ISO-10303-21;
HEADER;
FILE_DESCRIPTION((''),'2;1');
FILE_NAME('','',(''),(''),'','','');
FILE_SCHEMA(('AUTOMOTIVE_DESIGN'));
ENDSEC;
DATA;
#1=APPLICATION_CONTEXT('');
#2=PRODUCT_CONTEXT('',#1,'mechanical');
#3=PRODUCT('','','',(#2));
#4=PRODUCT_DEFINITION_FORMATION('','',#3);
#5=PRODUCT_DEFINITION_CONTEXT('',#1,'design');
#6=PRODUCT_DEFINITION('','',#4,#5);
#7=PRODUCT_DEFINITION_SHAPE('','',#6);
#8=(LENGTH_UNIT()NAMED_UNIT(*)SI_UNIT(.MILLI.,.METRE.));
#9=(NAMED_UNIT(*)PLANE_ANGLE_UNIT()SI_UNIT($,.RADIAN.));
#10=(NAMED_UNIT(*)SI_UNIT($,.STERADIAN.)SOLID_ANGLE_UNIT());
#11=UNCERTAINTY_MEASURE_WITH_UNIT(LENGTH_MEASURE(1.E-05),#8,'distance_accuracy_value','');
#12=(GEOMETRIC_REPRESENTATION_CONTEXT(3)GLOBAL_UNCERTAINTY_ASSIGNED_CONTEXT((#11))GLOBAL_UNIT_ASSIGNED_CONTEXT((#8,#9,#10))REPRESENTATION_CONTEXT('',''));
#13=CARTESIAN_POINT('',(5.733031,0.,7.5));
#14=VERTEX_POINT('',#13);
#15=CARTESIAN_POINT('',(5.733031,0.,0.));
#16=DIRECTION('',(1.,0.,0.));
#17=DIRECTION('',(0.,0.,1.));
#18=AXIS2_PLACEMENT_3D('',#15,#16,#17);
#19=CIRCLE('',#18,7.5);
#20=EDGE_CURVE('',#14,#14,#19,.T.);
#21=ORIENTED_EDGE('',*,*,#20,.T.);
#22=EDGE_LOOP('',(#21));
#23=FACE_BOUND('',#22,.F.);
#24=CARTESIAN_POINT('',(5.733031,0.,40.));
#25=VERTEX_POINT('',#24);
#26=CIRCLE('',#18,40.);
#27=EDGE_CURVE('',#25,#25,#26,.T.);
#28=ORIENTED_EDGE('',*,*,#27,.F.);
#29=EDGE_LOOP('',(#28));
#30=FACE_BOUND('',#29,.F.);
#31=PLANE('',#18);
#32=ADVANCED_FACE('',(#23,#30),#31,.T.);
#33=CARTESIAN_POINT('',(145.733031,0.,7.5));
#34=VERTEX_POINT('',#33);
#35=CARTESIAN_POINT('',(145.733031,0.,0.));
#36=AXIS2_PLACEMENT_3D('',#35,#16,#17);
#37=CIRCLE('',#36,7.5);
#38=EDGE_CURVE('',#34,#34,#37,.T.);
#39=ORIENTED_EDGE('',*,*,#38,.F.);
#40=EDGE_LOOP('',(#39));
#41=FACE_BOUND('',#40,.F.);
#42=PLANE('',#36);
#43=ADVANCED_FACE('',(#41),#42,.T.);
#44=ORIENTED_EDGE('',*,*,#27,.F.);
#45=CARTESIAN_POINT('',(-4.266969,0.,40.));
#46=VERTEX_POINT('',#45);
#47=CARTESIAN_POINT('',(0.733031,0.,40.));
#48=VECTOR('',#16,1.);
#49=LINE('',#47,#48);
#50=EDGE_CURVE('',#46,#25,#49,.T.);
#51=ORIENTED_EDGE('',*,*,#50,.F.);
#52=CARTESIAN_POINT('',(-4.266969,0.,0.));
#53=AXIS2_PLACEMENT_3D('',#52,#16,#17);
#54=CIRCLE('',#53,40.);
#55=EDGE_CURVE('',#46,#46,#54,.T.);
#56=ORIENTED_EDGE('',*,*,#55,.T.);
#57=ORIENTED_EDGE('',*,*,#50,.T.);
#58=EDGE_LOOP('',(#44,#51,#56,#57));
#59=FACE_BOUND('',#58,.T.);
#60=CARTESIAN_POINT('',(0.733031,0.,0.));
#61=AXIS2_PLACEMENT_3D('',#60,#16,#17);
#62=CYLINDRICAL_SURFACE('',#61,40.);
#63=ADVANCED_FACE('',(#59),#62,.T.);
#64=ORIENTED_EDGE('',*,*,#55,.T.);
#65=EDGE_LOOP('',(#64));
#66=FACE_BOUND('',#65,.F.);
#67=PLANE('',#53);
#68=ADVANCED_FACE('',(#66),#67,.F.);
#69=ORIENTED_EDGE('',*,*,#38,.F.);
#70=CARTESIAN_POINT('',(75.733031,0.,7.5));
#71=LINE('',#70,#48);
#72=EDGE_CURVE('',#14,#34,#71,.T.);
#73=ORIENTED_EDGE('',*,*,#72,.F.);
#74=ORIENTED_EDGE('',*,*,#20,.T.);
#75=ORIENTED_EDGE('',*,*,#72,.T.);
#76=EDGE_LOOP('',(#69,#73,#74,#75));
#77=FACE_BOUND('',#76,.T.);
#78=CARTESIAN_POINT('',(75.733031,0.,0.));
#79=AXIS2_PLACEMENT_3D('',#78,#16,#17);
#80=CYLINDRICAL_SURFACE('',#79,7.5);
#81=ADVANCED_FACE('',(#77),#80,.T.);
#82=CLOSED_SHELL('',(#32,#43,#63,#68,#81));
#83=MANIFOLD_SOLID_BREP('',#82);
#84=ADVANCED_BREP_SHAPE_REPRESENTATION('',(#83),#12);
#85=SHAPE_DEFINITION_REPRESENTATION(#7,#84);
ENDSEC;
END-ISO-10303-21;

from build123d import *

# Parameters (mm, degrees)
F0_W   = 10
F0_H   = 32.5
F0_H_2 = 7.5
F0_W_2 = 140


with BuildPart() as f1:
    # F0 (on Front) → F1 (revolve)
    with BuildSketch(Plane.XZ):
        with Locations((0.733031, 23.75)):
            Rectangle(F0_W, F0_H)
        with Locations((0.733031, 3.75)):
            Rectangle(F0_W, F0_H_2)
        with Locations((75.733031, 3.75)):
            Rectangle(F0_W_2, F0_H_2)
    revolve(axis=Axis((73.495366, 0, 0), (1, 0, 0)))


solid = f1.part
